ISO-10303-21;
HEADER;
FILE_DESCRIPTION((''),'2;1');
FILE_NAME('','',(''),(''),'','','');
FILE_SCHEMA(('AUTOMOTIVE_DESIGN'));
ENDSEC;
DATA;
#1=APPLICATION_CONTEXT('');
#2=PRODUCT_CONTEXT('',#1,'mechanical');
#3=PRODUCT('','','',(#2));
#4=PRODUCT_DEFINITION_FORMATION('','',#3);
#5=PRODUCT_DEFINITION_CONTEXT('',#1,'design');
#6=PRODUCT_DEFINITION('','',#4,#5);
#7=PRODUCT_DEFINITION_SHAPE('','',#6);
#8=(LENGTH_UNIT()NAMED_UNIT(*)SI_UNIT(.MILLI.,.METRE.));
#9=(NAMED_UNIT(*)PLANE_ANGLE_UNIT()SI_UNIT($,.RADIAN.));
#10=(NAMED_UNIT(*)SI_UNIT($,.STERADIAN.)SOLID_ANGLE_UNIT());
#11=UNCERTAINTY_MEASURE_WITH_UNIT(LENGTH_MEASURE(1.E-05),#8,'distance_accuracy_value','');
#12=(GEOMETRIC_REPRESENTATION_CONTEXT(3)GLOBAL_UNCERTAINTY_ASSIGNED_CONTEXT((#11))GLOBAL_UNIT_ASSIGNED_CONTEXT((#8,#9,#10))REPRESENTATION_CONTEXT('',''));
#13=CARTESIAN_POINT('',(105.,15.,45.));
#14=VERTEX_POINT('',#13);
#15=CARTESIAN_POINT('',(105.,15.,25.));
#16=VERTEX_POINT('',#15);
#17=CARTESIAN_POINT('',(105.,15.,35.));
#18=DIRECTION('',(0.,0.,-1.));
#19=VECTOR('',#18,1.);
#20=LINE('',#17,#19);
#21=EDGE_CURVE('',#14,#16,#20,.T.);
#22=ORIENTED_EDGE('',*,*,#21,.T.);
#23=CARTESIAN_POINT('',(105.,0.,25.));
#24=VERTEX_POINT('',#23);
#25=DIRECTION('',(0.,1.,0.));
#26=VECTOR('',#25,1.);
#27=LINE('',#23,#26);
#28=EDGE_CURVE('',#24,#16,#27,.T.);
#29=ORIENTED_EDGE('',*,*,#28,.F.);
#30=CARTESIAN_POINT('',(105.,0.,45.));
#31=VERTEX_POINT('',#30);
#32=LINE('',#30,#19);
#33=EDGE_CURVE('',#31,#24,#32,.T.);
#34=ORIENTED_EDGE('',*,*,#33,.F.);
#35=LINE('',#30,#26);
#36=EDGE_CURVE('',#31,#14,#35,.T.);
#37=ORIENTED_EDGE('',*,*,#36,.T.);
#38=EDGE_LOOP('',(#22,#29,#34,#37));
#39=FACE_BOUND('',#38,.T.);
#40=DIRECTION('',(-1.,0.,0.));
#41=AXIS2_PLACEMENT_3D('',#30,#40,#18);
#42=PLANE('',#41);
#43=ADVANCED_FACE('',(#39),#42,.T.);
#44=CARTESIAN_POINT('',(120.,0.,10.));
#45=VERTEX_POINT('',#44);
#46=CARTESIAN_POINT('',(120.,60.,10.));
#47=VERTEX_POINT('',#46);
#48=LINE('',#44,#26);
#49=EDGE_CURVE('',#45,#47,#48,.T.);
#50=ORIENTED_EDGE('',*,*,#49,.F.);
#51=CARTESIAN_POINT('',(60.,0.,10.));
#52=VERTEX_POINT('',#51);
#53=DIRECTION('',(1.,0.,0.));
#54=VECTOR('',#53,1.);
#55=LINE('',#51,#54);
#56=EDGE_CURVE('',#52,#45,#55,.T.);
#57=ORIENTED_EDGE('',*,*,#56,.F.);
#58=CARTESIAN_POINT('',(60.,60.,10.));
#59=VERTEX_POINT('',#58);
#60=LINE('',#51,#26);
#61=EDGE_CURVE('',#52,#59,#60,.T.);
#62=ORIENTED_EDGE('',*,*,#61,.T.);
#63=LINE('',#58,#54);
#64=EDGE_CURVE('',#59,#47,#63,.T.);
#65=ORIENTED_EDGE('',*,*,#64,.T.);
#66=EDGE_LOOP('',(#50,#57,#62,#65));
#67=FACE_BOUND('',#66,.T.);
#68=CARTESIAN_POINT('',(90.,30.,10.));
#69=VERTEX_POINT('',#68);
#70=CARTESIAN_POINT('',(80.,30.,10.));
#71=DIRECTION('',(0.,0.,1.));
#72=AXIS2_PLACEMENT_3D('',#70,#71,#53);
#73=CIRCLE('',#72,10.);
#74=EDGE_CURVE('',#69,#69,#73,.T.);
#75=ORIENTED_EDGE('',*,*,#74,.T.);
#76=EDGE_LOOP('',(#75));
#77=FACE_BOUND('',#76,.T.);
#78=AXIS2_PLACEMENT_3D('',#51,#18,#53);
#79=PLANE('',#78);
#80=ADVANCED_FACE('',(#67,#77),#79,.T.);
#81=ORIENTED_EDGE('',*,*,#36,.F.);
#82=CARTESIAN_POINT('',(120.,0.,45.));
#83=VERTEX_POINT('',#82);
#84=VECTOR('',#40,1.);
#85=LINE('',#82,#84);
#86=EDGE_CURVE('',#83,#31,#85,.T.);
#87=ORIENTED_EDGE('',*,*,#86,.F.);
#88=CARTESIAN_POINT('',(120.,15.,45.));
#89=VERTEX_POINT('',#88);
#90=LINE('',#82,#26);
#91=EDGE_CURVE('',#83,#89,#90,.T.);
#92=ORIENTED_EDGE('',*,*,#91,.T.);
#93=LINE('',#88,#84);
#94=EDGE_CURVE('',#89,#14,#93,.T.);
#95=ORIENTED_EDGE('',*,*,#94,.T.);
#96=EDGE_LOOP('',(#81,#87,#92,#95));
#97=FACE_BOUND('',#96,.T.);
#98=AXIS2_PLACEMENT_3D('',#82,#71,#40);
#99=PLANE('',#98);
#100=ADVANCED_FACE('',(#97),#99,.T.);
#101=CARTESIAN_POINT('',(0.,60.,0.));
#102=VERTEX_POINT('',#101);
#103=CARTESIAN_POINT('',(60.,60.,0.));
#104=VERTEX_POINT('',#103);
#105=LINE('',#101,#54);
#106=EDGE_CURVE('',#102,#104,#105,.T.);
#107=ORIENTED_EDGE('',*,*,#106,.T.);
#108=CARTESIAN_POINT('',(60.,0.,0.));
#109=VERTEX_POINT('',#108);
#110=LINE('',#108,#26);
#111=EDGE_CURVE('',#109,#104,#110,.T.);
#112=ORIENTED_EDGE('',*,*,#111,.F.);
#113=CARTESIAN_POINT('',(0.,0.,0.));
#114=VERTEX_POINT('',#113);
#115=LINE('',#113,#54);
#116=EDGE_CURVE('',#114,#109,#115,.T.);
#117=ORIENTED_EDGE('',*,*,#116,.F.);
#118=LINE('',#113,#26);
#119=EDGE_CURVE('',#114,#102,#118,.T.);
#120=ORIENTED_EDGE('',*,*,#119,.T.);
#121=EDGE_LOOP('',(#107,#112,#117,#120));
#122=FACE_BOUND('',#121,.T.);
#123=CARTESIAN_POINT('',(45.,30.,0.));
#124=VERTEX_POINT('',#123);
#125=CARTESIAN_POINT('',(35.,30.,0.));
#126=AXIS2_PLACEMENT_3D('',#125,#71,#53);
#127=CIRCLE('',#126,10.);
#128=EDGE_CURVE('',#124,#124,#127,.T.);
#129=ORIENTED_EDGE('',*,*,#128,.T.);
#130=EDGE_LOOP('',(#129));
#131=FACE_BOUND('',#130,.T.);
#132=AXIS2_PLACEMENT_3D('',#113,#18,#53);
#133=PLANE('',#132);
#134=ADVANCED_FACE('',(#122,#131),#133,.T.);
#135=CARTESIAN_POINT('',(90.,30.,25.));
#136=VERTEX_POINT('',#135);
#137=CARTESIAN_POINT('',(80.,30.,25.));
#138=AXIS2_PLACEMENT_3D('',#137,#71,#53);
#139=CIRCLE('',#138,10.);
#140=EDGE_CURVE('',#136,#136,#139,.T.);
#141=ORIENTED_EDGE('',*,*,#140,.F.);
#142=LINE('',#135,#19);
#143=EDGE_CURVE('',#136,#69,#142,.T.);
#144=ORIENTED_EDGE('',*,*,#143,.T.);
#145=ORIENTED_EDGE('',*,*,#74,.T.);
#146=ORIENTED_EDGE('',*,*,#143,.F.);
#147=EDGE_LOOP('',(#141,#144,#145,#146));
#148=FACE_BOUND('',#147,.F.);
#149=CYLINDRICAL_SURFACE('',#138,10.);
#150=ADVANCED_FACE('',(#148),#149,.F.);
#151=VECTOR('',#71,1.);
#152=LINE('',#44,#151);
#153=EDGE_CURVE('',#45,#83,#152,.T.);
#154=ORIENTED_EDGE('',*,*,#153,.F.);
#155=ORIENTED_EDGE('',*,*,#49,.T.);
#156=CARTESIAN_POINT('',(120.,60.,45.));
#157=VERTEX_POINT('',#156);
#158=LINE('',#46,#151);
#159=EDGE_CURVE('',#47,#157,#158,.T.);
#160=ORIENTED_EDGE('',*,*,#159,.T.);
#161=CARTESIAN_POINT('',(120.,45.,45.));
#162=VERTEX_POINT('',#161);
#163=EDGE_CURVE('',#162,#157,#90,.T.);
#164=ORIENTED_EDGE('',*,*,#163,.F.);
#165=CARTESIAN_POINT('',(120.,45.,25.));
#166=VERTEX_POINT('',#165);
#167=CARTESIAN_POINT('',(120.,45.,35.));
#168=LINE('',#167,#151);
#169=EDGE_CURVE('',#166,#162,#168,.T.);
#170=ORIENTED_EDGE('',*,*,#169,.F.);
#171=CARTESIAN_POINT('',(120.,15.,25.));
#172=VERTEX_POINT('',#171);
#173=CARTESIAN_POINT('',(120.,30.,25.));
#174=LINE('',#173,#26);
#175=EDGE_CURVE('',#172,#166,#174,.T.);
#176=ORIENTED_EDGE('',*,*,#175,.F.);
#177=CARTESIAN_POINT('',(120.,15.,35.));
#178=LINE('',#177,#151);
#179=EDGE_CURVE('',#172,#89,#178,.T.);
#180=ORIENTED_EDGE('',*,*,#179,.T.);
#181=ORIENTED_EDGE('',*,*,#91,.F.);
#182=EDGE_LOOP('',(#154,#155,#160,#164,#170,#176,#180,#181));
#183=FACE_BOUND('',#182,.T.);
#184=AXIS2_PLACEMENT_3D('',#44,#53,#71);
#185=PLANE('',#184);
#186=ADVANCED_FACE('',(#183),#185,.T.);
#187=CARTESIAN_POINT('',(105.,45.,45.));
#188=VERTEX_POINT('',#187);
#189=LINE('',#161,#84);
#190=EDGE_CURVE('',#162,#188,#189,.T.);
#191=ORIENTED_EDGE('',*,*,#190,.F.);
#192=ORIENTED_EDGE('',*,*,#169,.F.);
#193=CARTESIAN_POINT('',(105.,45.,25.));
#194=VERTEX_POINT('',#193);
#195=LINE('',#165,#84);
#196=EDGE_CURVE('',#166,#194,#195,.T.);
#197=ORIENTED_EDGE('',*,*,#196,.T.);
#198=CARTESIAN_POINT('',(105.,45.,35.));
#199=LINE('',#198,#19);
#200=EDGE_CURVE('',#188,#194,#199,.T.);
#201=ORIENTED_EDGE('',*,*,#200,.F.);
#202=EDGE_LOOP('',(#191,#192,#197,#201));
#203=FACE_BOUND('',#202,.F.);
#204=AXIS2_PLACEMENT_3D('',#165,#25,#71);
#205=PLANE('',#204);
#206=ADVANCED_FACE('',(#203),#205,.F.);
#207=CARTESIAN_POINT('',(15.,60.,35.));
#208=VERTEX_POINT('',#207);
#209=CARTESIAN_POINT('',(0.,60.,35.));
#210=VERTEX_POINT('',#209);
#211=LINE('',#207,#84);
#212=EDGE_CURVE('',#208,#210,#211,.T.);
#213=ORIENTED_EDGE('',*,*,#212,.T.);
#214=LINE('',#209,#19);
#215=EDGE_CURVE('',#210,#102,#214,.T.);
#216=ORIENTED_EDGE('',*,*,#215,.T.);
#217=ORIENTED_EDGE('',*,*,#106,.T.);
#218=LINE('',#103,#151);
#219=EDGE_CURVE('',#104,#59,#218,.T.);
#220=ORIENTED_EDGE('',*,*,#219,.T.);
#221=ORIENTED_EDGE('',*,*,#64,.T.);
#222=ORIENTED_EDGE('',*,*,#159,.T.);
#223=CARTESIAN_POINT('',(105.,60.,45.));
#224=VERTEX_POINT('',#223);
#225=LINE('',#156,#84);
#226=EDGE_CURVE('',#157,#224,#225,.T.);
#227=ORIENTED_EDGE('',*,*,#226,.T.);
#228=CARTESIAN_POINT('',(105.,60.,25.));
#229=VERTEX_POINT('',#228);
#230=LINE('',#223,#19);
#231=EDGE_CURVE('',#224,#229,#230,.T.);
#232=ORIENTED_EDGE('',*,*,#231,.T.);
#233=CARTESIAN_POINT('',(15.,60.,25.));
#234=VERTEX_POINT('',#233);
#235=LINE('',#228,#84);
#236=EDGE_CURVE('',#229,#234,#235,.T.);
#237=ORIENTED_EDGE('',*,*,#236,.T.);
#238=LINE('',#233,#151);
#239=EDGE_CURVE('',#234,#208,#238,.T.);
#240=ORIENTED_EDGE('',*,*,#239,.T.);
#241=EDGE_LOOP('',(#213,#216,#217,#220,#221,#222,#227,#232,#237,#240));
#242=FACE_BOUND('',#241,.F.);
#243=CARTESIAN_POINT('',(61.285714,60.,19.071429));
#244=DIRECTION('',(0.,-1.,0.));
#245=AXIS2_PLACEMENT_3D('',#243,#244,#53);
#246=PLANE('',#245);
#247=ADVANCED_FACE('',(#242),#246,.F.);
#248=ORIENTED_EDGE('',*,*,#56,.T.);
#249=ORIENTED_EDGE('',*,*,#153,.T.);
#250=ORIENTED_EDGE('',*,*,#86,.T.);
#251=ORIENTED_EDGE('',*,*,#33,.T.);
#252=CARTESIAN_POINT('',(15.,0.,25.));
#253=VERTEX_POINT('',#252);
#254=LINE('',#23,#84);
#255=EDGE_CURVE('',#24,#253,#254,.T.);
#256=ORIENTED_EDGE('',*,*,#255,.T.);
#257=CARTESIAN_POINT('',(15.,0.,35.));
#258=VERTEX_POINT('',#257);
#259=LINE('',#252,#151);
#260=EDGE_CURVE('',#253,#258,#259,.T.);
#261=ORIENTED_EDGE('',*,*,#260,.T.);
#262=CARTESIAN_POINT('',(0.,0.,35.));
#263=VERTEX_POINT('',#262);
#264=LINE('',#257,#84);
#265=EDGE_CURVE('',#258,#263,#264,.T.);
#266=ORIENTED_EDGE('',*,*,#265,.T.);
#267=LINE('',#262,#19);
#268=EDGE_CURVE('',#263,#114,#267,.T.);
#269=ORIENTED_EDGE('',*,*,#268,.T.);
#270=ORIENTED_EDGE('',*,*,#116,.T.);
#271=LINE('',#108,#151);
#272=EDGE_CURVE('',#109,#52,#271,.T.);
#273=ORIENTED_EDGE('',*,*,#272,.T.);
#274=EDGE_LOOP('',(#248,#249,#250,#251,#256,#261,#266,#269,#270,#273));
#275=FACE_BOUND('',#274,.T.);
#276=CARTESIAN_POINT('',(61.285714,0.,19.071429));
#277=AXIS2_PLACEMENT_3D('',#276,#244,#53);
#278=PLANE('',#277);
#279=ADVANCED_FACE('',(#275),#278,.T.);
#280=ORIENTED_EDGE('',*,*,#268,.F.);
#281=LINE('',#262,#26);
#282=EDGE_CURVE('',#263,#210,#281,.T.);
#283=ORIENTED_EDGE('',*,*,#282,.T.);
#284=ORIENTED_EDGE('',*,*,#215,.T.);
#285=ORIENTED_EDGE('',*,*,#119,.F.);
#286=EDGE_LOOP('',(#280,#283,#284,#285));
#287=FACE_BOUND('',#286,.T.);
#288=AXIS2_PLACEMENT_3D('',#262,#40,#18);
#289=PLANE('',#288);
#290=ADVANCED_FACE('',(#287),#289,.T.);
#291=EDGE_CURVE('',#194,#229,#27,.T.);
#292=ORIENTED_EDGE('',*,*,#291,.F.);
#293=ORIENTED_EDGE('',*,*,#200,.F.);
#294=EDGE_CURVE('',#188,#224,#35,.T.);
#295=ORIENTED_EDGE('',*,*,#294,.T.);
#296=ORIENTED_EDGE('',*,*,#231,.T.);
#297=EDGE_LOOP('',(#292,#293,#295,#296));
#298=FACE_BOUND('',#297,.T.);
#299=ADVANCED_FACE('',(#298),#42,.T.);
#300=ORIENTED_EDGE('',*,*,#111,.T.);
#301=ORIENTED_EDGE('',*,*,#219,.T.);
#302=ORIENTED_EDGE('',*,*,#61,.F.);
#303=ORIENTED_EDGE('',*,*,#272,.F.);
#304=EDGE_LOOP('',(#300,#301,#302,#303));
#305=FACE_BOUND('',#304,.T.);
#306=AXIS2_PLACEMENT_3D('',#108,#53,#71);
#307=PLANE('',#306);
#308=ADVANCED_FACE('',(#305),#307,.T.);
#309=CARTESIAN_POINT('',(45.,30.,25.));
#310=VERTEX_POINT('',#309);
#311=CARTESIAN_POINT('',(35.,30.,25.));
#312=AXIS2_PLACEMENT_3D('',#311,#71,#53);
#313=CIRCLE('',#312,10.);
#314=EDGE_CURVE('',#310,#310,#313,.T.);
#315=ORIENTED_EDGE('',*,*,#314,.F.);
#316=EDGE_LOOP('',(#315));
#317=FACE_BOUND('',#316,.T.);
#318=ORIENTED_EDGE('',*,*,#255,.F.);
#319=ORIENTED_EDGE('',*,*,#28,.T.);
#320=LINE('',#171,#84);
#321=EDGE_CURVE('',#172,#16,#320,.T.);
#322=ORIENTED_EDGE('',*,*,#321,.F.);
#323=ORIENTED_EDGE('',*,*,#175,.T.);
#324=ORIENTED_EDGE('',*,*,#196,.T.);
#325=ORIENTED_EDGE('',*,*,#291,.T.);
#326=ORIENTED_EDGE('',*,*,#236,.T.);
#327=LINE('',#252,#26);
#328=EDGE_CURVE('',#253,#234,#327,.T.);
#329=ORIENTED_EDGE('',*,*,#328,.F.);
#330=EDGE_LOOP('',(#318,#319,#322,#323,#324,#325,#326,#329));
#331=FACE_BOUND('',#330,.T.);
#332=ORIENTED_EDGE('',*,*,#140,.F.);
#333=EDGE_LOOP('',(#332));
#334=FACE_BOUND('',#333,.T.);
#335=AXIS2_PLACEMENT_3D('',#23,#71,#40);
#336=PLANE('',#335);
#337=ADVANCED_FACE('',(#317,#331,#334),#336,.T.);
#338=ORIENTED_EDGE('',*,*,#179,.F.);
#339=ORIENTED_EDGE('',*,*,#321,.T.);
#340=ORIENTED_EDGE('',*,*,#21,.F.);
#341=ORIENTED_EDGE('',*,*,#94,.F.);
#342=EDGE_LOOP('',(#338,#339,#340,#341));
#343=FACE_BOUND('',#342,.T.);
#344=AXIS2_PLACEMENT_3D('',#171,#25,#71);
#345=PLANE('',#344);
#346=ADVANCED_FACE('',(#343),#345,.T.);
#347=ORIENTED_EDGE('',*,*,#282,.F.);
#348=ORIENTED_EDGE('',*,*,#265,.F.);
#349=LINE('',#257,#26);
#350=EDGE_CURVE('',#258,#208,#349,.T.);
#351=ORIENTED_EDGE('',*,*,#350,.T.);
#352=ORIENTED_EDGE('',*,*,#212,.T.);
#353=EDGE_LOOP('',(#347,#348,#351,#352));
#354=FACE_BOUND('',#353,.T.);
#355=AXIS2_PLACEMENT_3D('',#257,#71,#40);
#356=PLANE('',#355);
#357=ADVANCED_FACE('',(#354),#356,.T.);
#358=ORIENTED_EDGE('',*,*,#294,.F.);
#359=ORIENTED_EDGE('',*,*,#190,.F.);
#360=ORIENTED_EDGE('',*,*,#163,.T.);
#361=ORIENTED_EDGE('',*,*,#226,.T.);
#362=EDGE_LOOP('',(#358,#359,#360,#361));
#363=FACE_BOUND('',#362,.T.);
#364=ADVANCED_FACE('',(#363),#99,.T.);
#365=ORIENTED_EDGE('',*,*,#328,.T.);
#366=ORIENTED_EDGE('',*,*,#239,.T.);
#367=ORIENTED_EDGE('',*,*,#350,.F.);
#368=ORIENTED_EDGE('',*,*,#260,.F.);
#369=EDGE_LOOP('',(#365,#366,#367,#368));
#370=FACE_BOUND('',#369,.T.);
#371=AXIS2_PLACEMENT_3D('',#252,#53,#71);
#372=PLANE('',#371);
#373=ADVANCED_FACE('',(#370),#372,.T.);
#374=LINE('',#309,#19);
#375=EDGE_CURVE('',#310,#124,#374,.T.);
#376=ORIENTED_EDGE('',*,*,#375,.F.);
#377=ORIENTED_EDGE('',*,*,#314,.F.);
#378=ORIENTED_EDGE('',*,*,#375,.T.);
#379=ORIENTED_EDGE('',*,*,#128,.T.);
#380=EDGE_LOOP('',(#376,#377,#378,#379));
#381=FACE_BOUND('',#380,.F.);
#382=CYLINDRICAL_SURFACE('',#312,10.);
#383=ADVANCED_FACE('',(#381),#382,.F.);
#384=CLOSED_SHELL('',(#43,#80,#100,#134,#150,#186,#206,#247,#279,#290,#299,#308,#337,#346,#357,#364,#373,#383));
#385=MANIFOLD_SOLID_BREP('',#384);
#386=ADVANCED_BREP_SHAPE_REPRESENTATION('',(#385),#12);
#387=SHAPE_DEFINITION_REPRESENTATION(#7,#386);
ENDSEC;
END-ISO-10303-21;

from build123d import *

# Parameters (mm, degrees)
F1_DEPTH = 60
F2_W     = 30
F2_H     = 20
F3_DEPTH = 25
F4_R     = 10
F5_DEPTH = 25.001


with BuildPart() as f1:
    # F0 (on Front) → F1 (new body)
    with BuildSketch(Plane.XZ):
        Polygon((0, 35), (0, 0), (60, 0), (60, 10), (120, 10), (120, 45), (105, 45), (105, 25), (15, 25), (15, 35), align=None)
    extrude(amount=-F1_DEPTH)

    # F2 (on face) → F3 (cut)
    with BuildSketch(Plane.YZ.offset(120)):
        with Locations((30, 35)):
            Rectangle(F2_W, F2_H)
    extrude(amount=-F3_DEPTH, mode=Mode.SUBTRACT)

    # F4 (on face) → F5 (cut, through all)
    with BuildSketch(Plane.XY.offset(25)):
        with Locations((35, 30)):
            Circle(F4_R)
        with Locations((80, 30)):
            Circle(F4_R)
    extrude(amount=-F5_DEPTH, mode=Mode.SUBTRACT)


solid = f1.part
